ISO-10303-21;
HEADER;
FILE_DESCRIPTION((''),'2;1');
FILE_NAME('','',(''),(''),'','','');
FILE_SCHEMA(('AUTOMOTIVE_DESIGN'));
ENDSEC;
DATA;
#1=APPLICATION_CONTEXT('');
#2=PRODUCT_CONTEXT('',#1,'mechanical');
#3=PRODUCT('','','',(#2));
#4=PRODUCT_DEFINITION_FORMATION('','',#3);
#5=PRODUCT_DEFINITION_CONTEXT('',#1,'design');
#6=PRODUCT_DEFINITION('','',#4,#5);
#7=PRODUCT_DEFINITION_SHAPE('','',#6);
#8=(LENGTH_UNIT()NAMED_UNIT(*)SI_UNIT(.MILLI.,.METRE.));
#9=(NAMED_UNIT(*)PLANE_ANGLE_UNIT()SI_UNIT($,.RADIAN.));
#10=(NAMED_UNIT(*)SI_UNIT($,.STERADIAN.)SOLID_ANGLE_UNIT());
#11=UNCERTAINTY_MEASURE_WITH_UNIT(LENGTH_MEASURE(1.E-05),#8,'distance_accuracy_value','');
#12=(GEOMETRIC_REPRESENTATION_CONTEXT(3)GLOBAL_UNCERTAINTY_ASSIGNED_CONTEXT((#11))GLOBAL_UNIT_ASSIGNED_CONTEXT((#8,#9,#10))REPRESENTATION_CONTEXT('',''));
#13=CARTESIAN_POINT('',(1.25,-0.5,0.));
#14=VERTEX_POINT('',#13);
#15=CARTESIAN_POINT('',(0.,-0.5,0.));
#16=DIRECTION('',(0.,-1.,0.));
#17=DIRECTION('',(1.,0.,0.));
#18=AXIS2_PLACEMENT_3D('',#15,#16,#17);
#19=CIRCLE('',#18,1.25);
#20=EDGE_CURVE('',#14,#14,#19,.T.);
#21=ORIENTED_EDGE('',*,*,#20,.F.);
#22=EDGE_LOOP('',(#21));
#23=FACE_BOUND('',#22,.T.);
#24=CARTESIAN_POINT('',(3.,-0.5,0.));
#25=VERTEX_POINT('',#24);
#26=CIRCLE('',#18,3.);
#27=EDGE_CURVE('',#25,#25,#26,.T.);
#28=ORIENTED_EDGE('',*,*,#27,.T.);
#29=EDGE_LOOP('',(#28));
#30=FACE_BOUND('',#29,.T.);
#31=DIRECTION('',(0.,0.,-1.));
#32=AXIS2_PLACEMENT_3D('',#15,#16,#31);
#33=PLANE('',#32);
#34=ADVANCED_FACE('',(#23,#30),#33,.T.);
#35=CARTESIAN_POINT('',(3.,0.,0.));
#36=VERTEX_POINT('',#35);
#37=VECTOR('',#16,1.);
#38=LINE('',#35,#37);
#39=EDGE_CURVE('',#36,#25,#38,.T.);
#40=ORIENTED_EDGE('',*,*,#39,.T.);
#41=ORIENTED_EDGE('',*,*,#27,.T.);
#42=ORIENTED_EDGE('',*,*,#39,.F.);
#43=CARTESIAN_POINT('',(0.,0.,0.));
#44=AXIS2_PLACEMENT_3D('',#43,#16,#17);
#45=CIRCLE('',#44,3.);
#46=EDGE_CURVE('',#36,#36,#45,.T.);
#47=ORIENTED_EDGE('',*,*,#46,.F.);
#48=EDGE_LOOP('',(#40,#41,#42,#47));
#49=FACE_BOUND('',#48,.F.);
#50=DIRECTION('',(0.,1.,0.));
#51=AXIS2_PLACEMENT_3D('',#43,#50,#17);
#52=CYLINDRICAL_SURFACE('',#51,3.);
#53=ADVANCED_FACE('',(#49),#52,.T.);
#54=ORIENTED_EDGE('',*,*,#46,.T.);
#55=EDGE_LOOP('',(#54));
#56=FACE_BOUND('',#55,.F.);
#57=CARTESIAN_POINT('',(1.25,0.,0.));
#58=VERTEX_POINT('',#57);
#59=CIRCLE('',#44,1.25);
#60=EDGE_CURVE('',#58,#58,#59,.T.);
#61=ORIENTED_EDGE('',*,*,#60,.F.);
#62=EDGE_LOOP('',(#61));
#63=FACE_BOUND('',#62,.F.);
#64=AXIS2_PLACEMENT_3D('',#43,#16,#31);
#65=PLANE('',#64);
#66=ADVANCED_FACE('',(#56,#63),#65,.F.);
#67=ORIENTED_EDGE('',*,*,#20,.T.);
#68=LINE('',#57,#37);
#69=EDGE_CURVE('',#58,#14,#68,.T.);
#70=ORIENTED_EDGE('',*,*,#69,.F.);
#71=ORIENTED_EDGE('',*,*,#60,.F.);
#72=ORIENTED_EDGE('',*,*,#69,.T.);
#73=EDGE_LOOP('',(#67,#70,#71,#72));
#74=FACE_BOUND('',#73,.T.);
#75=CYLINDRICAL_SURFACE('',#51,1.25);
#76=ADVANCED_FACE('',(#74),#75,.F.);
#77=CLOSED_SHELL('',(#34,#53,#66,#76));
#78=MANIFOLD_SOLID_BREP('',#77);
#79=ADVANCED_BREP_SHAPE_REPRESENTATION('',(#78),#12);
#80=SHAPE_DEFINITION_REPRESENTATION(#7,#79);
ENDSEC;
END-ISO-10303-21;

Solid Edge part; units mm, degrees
sketch "Sketch1" plane through (0, 0, 0) normal (0, -1, 0) x (1, 0, 0)
  circle A0 centre (0, 0) radius 1.25
  circle A1 centre (0, 0) radius 3
  dimension "D1" = 2.5
  dimension "D2" = 6
extrude "Protrusion1" add sketch "Sketch1" along normal blind 0.5
